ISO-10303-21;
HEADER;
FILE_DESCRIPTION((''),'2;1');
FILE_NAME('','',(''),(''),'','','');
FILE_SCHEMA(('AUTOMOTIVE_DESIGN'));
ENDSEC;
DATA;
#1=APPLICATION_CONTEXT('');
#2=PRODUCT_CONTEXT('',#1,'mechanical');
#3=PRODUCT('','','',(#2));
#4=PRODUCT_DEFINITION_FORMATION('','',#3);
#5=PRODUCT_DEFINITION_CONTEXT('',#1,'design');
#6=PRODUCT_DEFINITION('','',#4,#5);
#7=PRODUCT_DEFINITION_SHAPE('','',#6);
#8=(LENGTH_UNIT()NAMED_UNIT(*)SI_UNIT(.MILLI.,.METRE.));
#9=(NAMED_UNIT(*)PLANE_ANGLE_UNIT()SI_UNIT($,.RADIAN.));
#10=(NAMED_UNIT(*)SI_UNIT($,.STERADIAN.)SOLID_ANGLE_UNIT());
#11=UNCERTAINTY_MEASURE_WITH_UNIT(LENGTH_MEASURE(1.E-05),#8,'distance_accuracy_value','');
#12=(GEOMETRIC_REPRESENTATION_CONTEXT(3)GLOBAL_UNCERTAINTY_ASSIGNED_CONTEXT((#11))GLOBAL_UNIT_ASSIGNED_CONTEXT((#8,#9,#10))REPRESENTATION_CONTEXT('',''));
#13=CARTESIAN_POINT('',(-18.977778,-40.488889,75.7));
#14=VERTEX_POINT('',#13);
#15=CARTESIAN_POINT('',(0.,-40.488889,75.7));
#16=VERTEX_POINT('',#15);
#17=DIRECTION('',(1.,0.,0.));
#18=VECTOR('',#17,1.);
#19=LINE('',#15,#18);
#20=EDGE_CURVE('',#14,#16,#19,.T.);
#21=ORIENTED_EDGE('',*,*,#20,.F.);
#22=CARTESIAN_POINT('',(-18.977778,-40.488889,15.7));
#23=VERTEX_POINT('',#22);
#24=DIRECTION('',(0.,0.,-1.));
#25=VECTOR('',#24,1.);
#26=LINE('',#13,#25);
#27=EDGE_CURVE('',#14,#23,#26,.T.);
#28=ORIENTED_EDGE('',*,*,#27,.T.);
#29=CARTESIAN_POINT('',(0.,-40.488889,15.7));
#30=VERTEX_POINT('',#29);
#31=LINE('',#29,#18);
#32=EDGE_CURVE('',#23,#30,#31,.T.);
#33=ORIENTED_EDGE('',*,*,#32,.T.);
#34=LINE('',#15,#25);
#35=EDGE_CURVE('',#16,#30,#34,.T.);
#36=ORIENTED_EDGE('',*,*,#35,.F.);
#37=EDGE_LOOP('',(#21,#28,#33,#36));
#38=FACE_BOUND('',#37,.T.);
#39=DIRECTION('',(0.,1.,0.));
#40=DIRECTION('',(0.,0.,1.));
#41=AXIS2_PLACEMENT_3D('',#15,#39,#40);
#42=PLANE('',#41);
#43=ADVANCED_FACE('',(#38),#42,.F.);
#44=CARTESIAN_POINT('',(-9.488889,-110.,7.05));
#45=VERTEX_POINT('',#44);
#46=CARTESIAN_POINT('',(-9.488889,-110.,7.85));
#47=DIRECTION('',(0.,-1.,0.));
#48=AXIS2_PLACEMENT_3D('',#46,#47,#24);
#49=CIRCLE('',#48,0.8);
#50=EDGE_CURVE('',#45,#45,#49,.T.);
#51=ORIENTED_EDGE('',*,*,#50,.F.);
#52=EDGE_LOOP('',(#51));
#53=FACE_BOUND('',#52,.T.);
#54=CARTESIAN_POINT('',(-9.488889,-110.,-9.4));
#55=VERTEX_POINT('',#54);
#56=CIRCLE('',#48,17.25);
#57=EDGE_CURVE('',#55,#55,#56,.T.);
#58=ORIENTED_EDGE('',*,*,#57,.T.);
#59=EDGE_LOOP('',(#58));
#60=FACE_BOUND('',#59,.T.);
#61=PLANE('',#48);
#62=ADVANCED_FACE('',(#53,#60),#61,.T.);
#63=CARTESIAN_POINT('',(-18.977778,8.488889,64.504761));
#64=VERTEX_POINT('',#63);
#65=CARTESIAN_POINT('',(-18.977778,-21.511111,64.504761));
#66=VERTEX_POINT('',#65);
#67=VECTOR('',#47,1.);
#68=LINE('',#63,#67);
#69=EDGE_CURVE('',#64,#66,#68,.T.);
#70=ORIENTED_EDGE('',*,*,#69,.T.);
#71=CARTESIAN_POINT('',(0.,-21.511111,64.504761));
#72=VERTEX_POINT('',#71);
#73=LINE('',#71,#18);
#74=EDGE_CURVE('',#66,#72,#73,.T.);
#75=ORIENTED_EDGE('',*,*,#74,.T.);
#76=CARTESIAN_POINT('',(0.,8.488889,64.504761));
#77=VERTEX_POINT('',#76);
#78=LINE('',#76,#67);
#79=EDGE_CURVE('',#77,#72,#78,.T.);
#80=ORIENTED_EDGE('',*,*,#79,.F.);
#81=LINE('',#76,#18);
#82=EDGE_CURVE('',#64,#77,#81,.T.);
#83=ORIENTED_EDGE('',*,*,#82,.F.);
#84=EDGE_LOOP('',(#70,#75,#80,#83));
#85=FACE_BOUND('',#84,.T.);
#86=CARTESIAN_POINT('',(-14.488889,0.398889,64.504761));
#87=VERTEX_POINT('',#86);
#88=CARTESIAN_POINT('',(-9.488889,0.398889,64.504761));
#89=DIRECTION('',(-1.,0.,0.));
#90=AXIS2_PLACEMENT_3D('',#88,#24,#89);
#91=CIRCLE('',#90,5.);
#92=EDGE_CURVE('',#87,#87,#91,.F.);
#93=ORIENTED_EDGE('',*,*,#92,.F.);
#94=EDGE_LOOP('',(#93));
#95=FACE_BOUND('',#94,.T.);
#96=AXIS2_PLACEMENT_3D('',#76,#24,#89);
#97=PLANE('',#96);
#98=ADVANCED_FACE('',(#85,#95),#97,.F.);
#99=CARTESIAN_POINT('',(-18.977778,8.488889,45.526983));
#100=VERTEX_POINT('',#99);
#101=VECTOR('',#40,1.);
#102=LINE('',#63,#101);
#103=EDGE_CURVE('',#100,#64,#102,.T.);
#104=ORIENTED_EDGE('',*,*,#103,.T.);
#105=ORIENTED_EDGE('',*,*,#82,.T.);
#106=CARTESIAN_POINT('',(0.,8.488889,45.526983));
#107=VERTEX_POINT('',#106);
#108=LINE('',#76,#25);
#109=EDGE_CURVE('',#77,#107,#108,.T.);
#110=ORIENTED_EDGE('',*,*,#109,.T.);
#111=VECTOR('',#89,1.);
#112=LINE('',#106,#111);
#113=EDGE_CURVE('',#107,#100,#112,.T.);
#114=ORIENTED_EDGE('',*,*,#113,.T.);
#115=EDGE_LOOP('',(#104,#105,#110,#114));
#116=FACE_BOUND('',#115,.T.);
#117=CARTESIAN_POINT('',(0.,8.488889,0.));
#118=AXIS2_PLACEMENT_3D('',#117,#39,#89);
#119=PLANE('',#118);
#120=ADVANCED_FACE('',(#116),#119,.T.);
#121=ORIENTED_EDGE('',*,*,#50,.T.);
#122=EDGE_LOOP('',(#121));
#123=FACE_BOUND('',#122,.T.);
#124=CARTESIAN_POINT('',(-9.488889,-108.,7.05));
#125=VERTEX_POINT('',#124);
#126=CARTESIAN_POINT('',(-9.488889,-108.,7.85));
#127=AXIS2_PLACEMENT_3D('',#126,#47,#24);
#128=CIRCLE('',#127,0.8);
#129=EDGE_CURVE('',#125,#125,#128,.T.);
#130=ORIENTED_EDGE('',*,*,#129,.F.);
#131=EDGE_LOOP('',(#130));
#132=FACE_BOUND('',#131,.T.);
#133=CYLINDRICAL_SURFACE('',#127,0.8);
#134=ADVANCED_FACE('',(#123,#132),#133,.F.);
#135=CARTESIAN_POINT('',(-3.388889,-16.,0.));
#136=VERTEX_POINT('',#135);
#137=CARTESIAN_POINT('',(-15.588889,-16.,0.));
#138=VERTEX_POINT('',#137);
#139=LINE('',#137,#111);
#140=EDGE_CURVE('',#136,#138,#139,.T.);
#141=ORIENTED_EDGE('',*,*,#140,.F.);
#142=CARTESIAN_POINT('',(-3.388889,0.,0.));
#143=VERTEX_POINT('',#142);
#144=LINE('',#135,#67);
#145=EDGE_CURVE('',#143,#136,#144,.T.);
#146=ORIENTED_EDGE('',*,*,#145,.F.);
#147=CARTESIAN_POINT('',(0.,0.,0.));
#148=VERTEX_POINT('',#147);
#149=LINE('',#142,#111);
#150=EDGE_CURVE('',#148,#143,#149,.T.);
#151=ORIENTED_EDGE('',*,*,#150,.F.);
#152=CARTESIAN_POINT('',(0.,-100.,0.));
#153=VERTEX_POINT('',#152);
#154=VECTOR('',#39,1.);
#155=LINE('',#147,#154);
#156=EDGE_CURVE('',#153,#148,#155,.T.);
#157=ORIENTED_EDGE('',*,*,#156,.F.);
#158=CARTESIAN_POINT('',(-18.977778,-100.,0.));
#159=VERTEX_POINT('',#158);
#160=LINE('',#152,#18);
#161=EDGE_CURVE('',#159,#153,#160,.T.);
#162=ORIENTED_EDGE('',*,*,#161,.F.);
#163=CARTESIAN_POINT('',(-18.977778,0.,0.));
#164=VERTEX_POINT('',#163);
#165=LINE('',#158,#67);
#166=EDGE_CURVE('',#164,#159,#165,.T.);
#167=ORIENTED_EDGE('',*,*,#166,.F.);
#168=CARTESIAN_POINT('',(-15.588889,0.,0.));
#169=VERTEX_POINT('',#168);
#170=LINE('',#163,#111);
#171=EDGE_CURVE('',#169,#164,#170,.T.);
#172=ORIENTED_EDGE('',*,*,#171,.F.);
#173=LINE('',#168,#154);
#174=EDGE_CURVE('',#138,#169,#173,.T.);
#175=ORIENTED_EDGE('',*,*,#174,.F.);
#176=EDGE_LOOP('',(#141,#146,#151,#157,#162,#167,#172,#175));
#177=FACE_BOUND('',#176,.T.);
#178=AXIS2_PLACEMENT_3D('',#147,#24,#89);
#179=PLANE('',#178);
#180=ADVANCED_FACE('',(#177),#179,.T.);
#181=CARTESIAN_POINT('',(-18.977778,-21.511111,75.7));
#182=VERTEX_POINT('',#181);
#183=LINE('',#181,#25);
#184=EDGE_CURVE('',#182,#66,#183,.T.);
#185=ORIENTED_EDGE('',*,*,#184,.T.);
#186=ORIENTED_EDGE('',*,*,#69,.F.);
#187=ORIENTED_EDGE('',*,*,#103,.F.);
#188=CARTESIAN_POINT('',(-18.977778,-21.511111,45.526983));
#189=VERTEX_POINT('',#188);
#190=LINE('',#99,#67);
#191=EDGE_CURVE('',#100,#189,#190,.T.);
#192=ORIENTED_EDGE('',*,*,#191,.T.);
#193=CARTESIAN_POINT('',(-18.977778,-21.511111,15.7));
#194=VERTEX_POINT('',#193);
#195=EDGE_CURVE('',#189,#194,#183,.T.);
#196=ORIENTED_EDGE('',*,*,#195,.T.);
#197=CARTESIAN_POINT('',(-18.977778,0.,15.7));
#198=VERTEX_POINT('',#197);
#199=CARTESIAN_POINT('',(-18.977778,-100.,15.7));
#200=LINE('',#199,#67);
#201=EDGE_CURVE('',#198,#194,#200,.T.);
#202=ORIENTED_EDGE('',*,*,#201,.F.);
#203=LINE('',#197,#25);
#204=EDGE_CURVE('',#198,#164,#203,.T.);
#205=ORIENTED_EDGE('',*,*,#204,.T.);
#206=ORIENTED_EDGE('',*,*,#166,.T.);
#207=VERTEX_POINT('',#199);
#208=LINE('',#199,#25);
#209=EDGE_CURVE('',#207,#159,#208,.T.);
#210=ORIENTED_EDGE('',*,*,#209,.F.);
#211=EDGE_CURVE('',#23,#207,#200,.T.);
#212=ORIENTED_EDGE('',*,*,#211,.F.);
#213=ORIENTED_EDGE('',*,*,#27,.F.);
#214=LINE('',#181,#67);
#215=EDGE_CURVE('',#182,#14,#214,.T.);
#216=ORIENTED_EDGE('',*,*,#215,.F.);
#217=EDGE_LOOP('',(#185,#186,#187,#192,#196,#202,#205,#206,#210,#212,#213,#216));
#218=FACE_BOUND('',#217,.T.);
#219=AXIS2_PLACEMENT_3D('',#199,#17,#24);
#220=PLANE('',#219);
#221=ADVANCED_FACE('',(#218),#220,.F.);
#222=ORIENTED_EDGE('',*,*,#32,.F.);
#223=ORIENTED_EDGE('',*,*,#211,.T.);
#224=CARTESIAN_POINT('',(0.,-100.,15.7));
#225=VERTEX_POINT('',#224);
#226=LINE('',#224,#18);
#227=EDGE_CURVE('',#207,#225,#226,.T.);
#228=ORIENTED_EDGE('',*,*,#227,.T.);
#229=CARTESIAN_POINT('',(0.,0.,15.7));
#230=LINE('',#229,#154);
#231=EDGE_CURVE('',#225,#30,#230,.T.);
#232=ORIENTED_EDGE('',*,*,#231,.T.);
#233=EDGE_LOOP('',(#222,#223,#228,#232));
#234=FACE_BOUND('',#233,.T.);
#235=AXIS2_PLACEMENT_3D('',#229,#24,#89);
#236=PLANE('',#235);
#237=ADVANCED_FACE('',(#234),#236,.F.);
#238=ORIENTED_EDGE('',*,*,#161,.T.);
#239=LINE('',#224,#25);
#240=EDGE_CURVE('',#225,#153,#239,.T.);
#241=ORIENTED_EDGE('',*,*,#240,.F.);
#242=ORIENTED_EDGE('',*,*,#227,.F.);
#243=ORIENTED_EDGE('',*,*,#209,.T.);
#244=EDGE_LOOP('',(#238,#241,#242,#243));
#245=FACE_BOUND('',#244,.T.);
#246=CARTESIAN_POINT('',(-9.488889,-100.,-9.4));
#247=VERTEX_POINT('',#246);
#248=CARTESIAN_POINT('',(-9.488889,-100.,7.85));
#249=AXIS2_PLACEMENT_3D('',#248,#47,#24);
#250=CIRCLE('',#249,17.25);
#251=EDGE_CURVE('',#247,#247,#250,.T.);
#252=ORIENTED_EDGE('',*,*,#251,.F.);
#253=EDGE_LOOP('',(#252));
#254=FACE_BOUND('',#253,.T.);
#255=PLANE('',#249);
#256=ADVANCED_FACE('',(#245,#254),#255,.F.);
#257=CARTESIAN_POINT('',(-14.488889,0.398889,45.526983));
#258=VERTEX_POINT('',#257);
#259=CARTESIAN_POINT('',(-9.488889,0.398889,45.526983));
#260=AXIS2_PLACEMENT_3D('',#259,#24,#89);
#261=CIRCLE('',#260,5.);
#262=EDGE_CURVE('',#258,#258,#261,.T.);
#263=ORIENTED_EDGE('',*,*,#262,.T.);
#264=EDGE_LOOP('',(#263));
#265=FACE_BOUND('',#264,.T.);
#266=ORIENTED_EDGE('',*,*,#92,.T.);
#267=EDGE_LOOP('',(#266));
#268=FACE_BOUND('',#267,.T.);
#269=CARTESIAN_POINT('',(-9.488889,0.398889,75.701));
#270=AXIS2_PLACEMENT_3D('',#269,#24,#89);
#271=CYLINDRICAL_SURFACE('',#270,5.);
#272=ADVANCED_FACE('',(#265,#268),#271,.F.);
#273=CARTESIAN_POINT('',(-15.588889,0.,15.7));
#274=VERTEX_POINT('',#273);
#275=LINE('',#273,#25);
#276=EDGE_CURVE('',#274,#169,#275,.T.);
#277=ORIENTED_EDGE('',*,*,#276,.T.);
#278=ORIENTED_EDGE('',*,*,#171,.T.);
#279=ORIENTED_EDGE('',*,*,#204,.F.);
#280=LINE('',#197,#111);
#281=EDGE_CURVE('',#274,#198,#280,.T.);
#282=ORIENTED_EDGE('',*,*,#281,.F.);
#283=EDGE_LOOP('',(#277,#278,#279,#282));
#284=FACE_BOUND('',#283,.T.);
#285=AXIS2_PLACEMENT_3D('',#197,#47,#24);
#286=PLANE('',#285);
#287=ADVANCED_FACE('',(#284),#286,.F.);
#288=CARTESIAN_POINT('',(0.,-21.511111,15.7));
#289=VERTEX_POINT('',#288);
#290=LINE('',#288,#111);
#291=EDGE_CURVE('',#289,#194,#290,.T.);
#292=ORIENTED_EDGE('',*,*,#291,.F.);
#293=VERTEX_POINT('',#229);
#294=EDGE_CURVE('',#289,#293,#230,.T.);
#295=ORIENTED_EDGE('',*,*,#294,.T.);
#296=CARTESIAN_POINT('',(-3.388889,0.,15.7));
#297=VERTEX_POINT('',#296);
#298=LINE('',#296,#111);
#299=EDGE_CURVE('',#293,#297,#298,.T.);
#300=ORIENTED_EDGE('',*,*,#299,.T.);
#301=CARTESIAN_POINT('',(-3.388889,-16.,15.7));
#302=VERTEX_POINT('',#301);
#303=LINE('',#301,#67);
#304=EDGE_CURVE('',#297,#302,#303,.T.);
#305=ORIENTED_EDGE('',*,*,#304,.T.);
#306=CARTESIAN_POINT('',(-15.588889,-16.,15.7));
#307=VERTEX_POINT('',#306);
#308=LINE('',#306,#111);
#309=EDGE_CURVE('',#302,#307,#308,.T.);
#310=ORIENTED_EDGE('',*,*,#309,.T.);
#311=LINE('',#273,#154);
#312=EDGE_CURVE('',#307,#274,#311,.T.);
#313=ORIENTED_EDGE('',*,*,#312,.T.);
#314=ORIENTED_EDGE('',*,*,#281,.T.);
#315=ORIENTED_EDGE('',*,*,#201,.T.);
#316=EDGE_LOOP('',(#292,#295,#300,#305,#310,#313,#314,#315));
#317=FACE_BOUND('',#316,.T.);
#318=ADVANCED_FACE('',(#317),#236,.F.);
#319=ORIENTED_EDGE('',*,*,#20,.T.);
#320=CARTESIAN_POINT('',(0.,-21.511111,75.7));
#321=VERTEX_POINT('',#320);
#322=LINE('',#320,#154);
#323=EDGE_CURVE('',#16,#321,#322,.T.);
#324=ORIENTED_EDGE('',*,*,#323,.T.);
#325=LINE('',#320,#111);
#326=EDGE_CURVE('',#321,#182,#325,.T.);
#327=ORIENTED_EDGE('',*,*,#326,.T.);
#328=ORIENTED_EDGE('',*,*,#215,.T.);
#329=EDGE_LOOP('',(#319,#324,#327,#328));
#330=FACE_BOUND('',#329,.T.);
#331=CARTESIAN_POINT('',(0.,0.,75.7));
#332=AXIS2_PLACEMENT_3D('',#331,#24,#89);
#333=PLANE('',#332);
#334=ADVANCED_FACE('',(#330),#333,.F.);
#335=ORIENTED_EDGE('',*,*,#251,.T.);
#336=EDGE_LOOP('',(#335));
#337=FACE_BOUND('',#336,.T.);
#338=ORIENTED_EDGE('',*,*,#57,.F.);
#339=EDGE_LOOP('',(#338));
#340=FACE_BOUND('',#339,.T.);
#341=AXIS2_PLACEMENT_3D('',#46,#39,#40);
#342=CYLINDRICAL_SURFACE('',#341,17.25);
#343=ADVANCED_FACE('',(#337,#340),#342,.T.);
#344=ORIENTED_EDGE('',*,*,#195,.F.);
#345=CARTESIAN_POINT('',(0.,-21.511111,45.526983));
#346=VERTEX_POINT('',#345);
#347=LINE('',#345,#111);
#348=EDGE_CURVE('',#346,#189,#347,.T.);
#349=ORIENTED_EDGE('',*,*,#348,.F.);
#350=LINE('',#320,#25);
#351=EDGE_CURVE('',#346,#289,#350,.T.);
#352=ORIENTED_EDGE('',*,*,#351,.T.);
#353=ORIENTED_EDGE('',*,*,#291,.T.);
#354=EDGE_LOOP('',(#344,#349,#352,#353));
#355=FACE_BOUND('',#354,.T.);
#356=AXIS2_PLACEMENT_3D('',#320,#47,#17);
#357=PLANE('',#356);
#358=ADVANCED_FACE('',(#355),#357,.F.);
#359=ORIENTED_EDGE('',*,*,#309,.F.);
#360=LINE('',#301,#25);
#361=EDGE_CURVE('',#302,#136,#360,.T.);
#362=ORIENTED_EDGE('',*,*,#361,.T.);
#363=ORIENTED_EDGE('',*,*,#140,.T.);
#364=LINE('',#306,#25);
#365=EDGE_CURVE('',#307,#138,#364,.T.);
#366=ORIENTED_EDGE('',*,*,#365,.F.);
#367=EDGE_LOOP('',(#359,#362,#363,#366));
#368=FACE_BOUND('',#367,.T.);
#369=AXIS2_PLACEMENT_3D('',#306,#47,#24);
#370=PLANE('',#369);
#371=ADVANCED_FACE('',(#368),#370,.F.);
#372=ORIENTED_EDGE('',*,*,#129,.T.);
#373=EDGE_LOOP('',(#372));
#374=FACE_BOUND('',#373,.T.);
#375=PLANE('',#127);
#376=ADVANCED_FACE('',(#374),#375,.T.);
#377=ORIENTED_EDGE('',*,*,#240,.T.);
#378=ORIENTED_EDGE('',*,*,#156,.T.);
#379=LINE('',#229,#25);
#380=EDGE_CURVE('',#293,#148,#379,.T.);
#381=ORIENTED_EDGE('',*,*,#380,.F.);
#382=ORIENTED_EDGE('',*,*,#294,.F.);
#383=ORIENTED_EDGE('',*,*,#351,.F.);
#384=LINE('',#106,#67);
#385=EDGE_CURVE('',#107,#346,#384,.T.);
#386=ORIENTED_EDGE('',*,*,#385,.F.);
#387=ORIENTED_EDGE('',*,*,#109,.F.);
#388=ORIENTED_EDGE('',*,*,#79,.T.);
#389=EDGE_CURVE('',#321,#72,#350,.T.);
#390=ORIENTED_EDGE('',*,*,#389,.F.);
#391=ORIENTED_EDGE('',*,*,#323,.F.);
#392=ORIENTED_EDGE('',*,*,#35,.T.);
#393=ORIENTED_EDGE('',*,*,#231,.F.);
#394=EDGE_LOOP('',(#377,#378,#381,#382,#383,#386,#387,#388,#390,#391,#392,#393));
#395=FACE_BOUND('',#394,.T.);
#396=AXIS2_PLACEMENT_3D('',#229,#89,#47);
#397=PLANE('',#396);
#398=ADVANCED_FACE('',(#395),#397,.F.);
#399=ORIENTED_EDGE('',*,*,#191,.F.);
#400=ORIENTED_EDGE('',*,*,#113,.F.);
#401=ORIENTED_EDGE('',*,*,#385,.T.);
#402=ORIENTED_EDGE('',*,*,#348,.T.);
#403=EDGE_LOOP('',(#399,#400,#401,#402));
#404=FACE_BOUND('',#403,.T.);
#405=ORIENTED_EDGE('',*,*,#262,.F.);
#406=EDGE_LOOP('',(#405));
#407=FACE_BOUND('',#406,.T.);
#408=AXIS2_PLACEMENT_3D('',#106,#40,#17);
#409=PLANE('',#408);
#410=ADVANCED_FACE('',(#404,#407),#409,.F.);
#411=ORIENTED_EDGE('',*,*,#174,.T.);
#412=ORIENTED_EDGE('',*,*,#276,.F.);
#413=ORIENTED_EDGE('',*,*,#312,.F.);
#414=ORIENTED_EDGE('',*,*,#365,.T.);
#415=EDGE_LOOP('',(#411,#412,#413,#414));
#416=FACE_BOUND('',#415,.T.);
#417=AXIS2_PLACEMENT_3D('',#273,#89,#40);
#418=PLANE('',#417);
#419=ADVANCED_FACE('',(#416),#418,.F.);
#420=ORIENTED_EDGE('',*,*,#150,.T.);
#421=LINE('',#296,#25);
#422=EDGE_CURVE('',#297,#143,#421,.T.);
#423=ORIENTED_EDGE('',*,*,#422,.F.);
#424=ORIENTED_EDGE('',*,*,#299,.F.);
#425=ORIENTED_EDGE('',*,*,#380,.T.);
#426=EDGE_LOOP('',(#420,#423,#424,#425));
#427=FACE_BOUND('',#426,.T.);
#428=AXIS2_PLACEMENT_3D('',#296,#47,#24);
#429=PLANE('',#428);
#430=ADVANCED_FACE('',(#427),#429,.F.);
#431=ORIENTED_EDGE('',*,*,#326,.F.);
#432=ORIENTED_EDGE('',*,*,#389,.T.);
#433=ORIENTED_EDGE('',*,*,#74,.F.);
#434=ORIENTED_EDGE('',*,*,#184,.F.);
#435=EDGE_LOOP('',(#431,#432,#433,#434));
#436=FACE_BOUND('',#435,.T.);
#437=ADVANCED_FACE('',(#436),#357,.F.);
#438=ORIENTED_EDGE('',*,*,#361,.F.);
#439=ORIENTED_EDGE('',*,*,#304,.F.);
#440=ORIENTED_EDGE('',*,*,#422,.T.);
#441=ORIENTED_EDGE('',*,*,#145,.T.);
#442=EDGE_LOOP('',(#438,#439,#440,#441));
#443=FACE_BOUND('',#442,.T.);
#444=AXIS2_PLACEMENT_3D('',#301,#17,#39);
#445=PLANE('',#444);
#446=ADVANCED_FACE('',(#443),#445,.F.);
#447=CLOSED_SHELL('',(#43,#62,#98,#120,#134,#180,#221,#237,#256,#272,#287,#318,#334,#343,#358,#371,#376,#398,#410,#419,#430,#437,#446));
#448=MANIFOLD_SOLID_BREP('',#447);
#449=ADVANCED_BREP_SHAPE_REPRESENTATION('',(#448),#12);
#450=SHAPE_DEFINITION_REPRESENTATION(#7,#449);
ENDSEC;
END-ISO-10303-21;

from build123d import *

# Parameters (mm, degrees)
BOSS_EXTRUDE1_DEPTH = 15.7
SKETCH2_R           = 17.25
BOSS_EXTRUDE2_DEPTH = 10
SKETCH4_R           = 0.8
CUT_EXTRUDE1_DEPTH  = 2
SKETCH5_W           = 18.977777778
SKETCH5_H           = 18.977777778
BOSS_EXTRUDE3_DEPTH = 60
SKETCH6_W           = 18.977777778
SKETCH6_H           = 18.977777778
BOSS_EXTRUDE4_DEPTH = 30
CUT_EXTRUDE3_REACH  = 127.825
SKETCH7_R           = 5


with BuildPart() as part:
    # Sketch1 → Boss-Extrude1 (new body)
    with BuildSketch(Plane.XY):
        Polygon((0, 0), (0, -100), (-18.977777778, -100), (-18.977777778, 0), (-15.588888889, 0), (-15.588888889, -16), (-3.388888889, -16), (-3.388888889, 0), align=None)
    extrude(amount=BOSS_EXTRUDE1_DEPTH)

    # Sketch2 → Boss-Extrude2 (add)
    with BuildSketch(Plane.XZ.offset(100)):
        with Locations(Location((-9.488888889, 7.85, 0), (0, 0, 270))):
            Circle(SKETCH2_R)
    extrude(amount=BOSS_EXTRUDE2_DEPTH)

    # Sketch4 → Cut-Extrude1 (cut)
    with BuildSketch(Plane.XZ.offset(110)):
        with Locations(Location((-9.488888889, 7.85, 0), (0, 0, 270))):
            Circle(SKETCH4_R)
    extrude(amount=-CUT_EXTRUDE1_DEPTH, mode=Mode.SUBTRACT)

    # Sketch5 → Boss-Extrude3 (add)
    with BuildSketch(Plane.XY.offset(15.7)):
        with Locations((-9.488888889, -31)):
            Rectangle(SKETCH5_W, SKETCH5_H)
    extrude(amount=BOSS_EXTRUDE3_DEPTH)

    # Sketch6 → Boss-Extrude4 (add)
    with BuildSketch(Plane(origin=(0, -21.511111111, 0), x_dir=(1, 0, 0), z_dir=(0, 1, 0))):
        with Locations((-9.488888889, -55.01587184)):
            Rectangle(SKETCH6_W, SKETCH6_H)
    extrude(amount=BOSS_EXTRUDE4_DEPTH)

    # Sketch7 → Cut-Extrude3 (cut, up to next)
    with BuildSketch(Plane(origin=(0, 0, 45.526982951), x_dir=(-1, 0, 0), z_dir=(0, 0, -1)), mode=Mode.PRIVATE) as cut_extrude3_sk1:
        with Locations((9.488888889, 0.398888889)):
            Circle(SKETCH7_R)
    cut_extrude3_tool1 = extrude(cut_extrude3_sk1.sketch, amount=-CUT_EXTRUDE3_REACH, mode=Mode.PRIVATE) & part.part
    add(cut_extrude3_tool1.solids().sort_by_distance((-9.488889, 0.398889, 45.526983))[0], mode=Mode.SUBTRACT)


solid = part.part
